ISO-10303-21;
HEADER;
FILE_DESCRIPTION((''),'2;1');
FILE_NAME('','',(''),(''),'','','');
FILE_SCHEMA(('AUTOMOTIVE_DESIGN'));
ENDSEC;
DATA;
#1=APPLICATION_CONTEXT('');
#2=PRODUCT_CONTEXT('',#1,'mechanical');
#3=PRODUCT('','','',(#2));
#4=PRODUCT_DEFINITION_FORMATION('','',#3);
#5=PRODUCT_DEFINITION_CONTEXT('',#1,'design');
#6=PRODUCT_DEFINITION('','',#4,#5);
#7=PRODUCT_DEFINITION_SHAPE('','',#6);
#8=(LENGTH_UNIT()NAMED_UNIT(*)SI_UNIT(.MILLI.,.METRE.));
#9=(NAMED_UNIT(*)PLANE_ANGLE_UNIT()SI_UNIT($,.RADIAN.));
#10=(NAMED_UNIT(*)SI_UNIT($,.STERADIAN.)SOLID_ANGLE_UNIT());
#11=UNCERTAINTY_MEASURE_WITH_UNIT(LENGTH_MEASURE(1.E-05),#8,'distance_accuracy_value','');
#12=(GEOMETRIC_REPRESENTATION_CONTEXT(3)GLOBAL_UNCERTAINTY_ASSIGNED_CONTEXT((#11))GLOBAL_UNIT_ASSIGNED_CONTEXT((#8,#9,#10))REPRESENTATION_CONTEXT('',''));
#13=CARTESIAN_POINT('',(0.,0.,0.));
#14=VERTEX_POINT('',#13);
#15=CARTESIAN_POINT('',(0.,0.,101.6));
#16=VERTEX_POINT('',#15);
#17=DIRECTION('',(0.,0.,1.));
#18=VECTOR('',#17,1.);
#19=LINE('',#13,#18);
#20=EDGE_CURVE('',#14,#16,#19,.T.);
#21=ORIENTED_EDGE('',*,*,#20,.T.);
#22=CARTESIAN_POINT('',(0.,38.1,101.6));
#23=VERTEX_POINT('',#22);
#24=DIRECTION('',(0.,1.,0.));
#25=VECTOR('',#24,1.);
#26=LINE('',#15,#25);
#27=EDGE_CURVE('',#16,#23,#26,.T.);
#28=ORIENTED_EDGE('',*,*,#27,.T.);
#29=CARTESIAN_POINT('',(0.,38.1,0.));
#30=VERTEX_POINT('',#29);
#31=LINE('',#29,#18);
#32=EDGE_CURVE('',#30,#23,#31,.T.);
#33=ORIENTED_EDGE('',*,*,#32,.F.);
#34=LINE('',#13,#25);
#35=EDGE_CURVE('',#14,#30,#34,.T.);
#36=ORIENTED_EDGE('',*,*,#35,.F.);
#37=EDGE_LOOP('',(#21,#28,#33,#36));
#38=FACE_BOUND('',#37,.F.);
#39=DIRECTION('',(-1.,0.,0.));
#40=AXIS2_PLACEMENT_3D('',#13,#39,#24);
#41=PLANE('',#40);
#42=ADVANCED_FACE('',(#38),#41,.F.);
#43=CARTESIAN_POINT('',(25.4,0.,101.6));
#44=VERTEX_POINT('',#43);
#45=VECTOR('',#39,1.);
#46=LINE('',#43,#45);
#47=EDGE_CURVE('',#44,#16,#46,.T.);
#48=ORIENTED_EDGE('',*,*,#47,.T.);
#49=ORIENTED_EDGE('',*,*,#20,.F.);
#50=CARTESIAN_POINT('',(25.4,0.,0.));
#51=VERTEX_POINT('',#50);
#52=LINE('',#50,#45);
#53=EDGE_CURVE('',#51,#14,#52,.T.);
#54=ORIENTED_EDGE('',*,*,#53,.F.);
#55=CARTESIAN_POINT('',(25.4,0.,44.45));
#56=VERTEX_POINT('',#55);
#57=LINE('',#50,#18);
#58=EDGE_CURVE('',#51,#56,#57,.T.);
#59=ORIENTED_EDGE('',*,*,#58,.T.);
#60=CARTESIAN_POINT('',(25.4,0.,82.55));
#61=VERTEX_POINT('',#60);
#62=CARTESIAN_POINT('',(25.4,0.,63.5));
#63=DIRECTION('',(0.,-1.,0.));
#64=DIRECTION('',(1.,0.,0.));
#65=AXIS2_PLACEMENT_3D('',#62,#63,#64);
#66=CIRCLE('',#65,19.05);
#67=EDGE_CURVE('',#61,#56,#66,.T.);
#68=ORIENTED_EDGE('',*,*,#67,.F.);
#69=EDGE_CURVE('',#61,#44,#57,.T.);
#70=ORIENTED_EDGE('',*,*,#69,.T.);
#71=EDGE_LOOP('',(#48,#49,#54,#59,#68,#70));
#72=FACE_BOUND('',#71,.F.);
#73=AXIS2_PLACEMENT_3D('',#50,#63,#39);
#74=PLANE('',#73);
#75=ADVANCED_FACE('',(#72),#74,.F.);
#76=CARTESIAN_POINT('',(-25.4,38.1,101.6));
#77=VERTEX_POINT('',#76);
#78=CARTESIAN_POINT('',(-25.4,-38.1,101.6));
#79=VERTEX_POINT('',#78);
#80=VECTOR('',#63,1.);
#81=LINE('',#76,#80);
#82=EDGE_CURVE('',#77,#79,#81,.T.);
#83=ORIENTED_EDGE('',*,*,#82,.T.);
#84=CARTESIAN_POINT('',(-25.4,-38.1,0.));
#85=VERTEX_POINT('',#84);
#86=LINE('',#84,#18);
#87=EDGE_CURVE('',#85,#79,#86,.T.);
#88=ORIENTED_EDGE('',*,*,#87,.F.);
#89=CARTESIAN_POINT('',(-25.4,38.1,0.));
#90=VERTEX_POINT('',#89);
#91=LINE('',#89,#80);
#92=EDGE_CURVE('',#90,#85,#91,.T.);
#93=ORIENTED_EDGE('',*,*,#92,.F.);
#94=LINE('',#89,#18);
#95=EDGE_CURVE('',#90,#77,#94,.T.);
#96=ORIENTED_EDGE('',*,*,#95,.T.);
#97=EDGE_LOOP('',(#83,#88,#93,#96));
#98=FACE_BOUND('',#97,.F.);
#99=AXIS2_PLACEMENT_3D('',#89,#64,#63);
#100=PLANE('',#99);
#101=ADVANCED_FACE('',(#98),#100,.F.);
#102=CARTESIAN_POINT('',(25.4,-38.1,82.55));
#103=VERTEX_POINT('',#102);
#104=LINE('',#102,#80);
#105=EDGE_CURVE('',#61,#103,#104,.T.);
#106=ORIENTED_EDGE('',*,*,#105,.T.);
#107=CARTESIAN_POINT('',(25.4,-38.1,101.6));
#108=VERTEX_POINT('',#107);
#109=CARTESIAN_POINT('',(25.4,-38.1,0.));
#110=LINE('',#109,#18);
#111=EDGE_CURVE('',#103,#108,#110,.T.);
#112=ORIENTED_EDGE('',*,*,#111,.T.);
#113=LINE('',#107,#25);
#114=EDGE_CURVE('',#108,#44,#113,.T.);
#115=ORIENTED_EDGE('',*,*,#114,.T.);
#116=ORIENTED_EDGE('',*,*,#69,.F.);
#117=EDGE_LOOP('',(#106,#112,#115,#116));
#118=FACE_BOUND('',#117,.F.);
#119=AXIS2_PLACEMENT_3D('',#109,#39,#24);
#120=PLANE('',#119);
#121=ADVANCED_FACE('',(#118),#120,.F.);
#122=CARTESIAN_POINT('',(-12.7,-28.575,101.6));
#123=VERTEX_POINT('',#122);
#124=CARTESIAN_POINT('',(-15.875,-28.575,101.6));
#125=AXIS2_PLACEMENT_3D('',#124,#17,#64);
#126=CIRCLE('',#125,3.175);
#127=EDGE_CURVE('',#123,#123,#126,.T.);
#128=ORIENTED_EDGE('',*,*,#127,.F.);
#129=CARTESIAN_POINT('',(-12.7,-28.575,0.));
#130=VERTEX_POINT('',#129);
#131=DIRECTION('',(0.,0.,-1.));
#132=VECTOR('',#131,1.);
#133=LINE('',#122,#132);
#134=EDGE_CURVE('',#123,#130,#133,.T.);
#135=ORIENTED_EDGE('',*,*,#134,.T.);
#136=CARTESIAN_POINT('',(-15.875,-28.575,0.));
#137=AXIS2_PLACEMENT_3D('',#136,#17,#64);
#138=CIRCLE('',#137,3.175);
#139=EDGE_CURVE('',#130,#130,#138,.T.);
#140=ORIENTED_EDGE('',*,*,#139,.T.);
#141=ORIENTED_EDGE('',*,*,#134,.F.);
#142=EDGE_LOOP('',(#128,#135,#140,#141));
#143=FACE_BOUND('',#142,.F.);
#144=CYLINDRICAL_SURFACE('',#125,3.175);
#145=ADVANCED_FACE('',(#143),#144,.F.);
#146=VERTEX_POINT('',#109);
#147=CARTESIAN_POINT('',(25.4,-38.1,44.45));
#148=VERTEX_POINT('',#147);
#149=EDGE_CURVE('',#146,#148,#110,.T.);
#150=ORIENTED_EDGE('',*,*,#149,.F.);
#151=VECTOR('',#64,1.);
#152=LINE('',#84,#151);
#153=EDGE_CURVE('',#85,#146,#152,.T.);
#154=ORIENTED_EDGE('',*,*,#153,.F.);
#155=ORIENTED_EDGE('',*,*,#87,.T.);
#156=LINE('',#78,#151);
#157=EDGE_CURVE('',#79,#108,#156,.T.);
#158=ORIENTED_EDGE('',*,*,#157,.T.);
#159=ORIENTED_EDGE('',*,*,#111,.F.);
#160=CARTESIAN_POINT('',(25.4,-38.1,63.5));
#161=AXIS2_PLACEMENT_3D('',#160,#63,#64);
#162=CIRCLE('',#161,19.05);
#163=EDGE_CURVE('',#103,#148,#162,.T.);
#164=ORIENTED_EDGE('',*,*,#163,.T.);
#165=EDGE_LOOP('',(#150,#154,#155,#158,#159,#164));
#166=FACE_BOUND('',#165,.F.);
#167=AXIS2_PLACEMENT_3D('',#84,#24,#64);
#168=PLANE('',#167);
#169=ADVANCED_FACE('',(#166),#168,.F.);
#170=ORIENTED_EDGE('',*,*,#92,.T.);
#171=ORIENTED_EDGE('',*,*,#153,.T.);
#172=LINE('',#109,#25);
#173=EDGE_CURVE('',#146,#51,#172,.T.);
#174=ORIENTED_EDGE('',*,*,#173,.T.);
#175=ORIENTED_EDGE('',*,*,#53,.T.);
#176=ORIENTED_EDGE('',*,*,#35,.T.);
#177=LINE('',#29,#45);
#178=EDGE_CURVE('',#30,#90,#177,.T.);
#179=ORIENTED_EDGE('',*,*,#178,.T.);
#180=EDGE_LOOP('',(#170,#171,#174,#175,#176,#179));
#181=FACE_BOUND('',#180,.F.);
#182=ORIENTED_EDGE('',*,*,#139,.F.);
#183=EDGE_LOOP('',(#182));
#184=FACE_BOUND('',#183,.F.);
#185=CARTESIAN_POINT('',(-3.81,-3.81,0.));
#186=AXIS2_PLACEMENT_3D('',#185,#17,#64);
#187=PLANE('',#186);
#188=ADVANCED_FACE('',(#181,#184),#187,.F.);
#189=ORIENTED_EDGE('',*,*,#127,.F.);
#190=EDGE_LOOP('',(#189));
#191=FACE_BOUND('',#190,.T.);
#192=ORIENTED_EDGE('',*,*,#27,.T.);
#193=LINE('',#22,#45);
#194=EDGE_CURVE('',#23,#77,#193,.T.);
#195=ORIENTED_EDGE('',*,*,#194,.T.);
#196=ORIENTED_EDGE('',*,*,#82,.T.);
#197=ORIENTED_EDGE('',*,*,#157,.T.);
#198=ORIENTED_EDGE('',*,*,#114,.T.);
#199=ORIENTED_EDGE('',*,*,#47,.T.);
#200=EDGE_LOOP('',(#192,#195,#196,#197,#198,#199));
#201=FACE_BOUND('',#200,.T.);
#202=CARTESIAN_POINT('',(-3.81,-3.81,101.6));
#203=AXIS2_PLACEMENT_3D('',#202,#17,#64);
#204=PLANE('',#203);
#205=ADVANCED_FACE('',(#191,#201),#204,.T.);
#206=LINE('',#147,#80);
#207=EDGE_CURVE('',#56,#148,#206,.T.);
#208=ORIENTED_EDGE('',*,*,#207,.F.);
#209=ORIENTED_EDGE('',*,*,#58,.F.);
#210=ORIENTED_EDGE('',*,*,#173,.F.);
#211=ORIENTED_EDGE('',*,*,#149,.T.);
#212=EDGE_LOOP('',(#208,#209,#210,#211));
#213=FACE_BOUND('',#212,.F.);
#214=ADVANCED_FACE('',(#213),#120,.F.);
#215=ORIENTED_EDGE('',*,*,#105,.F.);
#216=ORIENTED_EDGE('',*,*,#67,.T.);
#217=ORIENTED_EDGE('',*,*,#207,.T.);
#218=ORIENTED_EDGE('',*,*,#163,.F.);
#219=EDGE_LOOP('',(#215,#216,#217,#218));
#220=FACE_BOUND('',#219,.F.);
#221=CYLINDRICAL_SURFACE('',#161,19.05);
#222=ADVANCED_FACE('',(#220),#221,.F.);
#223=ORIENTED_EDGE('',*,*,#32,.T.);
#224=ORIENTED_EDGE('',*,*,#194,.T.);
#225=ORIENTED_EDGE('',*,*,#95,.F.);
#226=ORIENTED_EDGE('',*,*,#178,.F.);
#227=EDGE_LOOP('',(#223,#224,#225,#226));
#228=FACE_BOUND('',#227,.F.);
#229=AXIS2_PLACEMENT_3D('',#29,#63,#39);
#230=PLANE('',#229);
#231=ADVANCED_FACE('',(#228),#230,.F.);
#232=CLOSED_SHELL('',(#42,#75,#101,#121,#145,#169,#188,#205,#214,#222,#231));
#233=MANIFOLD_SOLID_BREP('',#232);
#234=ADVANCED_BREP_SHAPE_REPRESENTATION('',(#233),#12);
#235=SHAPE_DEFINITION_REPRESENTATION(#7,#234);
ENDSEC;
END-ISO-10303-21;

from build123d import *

# Parameters (mm, degrees)
F1_DEPTH = 101.6
F2_R     = 3.175
F3_DEPTH = 101.6
F4_R     = 19.05
F5_DEPTH = 38.1


with BuildPart() as f1:
    # F0 (on Top) → F1 (new body)
    with BuildSketch(Plane.XY):
        Polygon((0, 0), (0, 38.1), (-25.4, 38.1), (-25.4, -38.1), (25.4, -38.1), (25.4, 0), align=None)
    extrude(amount=F1_DEPTH)

    # F2 (on face) → F3 (cut, through all)
    with BuildSketch(Plane.XY.offset(101.6)):
        with Locations((-15.875, -28.575)):
            Circle(F2_R)
    extrude(amount=-F3_DEPTH, mode=Mode.SUBTRACT)

    # F4 (on face) → F5 (cut, through all)
    with BuildSketch(Plane.XZ.offset(38.1)):
        with Locations((25.4, 63.5)):
            Circle(F4_R)
    extrude(amount=-F5_DEPTH, mode=Mode.SUBTRACT)


solid = f1.part
